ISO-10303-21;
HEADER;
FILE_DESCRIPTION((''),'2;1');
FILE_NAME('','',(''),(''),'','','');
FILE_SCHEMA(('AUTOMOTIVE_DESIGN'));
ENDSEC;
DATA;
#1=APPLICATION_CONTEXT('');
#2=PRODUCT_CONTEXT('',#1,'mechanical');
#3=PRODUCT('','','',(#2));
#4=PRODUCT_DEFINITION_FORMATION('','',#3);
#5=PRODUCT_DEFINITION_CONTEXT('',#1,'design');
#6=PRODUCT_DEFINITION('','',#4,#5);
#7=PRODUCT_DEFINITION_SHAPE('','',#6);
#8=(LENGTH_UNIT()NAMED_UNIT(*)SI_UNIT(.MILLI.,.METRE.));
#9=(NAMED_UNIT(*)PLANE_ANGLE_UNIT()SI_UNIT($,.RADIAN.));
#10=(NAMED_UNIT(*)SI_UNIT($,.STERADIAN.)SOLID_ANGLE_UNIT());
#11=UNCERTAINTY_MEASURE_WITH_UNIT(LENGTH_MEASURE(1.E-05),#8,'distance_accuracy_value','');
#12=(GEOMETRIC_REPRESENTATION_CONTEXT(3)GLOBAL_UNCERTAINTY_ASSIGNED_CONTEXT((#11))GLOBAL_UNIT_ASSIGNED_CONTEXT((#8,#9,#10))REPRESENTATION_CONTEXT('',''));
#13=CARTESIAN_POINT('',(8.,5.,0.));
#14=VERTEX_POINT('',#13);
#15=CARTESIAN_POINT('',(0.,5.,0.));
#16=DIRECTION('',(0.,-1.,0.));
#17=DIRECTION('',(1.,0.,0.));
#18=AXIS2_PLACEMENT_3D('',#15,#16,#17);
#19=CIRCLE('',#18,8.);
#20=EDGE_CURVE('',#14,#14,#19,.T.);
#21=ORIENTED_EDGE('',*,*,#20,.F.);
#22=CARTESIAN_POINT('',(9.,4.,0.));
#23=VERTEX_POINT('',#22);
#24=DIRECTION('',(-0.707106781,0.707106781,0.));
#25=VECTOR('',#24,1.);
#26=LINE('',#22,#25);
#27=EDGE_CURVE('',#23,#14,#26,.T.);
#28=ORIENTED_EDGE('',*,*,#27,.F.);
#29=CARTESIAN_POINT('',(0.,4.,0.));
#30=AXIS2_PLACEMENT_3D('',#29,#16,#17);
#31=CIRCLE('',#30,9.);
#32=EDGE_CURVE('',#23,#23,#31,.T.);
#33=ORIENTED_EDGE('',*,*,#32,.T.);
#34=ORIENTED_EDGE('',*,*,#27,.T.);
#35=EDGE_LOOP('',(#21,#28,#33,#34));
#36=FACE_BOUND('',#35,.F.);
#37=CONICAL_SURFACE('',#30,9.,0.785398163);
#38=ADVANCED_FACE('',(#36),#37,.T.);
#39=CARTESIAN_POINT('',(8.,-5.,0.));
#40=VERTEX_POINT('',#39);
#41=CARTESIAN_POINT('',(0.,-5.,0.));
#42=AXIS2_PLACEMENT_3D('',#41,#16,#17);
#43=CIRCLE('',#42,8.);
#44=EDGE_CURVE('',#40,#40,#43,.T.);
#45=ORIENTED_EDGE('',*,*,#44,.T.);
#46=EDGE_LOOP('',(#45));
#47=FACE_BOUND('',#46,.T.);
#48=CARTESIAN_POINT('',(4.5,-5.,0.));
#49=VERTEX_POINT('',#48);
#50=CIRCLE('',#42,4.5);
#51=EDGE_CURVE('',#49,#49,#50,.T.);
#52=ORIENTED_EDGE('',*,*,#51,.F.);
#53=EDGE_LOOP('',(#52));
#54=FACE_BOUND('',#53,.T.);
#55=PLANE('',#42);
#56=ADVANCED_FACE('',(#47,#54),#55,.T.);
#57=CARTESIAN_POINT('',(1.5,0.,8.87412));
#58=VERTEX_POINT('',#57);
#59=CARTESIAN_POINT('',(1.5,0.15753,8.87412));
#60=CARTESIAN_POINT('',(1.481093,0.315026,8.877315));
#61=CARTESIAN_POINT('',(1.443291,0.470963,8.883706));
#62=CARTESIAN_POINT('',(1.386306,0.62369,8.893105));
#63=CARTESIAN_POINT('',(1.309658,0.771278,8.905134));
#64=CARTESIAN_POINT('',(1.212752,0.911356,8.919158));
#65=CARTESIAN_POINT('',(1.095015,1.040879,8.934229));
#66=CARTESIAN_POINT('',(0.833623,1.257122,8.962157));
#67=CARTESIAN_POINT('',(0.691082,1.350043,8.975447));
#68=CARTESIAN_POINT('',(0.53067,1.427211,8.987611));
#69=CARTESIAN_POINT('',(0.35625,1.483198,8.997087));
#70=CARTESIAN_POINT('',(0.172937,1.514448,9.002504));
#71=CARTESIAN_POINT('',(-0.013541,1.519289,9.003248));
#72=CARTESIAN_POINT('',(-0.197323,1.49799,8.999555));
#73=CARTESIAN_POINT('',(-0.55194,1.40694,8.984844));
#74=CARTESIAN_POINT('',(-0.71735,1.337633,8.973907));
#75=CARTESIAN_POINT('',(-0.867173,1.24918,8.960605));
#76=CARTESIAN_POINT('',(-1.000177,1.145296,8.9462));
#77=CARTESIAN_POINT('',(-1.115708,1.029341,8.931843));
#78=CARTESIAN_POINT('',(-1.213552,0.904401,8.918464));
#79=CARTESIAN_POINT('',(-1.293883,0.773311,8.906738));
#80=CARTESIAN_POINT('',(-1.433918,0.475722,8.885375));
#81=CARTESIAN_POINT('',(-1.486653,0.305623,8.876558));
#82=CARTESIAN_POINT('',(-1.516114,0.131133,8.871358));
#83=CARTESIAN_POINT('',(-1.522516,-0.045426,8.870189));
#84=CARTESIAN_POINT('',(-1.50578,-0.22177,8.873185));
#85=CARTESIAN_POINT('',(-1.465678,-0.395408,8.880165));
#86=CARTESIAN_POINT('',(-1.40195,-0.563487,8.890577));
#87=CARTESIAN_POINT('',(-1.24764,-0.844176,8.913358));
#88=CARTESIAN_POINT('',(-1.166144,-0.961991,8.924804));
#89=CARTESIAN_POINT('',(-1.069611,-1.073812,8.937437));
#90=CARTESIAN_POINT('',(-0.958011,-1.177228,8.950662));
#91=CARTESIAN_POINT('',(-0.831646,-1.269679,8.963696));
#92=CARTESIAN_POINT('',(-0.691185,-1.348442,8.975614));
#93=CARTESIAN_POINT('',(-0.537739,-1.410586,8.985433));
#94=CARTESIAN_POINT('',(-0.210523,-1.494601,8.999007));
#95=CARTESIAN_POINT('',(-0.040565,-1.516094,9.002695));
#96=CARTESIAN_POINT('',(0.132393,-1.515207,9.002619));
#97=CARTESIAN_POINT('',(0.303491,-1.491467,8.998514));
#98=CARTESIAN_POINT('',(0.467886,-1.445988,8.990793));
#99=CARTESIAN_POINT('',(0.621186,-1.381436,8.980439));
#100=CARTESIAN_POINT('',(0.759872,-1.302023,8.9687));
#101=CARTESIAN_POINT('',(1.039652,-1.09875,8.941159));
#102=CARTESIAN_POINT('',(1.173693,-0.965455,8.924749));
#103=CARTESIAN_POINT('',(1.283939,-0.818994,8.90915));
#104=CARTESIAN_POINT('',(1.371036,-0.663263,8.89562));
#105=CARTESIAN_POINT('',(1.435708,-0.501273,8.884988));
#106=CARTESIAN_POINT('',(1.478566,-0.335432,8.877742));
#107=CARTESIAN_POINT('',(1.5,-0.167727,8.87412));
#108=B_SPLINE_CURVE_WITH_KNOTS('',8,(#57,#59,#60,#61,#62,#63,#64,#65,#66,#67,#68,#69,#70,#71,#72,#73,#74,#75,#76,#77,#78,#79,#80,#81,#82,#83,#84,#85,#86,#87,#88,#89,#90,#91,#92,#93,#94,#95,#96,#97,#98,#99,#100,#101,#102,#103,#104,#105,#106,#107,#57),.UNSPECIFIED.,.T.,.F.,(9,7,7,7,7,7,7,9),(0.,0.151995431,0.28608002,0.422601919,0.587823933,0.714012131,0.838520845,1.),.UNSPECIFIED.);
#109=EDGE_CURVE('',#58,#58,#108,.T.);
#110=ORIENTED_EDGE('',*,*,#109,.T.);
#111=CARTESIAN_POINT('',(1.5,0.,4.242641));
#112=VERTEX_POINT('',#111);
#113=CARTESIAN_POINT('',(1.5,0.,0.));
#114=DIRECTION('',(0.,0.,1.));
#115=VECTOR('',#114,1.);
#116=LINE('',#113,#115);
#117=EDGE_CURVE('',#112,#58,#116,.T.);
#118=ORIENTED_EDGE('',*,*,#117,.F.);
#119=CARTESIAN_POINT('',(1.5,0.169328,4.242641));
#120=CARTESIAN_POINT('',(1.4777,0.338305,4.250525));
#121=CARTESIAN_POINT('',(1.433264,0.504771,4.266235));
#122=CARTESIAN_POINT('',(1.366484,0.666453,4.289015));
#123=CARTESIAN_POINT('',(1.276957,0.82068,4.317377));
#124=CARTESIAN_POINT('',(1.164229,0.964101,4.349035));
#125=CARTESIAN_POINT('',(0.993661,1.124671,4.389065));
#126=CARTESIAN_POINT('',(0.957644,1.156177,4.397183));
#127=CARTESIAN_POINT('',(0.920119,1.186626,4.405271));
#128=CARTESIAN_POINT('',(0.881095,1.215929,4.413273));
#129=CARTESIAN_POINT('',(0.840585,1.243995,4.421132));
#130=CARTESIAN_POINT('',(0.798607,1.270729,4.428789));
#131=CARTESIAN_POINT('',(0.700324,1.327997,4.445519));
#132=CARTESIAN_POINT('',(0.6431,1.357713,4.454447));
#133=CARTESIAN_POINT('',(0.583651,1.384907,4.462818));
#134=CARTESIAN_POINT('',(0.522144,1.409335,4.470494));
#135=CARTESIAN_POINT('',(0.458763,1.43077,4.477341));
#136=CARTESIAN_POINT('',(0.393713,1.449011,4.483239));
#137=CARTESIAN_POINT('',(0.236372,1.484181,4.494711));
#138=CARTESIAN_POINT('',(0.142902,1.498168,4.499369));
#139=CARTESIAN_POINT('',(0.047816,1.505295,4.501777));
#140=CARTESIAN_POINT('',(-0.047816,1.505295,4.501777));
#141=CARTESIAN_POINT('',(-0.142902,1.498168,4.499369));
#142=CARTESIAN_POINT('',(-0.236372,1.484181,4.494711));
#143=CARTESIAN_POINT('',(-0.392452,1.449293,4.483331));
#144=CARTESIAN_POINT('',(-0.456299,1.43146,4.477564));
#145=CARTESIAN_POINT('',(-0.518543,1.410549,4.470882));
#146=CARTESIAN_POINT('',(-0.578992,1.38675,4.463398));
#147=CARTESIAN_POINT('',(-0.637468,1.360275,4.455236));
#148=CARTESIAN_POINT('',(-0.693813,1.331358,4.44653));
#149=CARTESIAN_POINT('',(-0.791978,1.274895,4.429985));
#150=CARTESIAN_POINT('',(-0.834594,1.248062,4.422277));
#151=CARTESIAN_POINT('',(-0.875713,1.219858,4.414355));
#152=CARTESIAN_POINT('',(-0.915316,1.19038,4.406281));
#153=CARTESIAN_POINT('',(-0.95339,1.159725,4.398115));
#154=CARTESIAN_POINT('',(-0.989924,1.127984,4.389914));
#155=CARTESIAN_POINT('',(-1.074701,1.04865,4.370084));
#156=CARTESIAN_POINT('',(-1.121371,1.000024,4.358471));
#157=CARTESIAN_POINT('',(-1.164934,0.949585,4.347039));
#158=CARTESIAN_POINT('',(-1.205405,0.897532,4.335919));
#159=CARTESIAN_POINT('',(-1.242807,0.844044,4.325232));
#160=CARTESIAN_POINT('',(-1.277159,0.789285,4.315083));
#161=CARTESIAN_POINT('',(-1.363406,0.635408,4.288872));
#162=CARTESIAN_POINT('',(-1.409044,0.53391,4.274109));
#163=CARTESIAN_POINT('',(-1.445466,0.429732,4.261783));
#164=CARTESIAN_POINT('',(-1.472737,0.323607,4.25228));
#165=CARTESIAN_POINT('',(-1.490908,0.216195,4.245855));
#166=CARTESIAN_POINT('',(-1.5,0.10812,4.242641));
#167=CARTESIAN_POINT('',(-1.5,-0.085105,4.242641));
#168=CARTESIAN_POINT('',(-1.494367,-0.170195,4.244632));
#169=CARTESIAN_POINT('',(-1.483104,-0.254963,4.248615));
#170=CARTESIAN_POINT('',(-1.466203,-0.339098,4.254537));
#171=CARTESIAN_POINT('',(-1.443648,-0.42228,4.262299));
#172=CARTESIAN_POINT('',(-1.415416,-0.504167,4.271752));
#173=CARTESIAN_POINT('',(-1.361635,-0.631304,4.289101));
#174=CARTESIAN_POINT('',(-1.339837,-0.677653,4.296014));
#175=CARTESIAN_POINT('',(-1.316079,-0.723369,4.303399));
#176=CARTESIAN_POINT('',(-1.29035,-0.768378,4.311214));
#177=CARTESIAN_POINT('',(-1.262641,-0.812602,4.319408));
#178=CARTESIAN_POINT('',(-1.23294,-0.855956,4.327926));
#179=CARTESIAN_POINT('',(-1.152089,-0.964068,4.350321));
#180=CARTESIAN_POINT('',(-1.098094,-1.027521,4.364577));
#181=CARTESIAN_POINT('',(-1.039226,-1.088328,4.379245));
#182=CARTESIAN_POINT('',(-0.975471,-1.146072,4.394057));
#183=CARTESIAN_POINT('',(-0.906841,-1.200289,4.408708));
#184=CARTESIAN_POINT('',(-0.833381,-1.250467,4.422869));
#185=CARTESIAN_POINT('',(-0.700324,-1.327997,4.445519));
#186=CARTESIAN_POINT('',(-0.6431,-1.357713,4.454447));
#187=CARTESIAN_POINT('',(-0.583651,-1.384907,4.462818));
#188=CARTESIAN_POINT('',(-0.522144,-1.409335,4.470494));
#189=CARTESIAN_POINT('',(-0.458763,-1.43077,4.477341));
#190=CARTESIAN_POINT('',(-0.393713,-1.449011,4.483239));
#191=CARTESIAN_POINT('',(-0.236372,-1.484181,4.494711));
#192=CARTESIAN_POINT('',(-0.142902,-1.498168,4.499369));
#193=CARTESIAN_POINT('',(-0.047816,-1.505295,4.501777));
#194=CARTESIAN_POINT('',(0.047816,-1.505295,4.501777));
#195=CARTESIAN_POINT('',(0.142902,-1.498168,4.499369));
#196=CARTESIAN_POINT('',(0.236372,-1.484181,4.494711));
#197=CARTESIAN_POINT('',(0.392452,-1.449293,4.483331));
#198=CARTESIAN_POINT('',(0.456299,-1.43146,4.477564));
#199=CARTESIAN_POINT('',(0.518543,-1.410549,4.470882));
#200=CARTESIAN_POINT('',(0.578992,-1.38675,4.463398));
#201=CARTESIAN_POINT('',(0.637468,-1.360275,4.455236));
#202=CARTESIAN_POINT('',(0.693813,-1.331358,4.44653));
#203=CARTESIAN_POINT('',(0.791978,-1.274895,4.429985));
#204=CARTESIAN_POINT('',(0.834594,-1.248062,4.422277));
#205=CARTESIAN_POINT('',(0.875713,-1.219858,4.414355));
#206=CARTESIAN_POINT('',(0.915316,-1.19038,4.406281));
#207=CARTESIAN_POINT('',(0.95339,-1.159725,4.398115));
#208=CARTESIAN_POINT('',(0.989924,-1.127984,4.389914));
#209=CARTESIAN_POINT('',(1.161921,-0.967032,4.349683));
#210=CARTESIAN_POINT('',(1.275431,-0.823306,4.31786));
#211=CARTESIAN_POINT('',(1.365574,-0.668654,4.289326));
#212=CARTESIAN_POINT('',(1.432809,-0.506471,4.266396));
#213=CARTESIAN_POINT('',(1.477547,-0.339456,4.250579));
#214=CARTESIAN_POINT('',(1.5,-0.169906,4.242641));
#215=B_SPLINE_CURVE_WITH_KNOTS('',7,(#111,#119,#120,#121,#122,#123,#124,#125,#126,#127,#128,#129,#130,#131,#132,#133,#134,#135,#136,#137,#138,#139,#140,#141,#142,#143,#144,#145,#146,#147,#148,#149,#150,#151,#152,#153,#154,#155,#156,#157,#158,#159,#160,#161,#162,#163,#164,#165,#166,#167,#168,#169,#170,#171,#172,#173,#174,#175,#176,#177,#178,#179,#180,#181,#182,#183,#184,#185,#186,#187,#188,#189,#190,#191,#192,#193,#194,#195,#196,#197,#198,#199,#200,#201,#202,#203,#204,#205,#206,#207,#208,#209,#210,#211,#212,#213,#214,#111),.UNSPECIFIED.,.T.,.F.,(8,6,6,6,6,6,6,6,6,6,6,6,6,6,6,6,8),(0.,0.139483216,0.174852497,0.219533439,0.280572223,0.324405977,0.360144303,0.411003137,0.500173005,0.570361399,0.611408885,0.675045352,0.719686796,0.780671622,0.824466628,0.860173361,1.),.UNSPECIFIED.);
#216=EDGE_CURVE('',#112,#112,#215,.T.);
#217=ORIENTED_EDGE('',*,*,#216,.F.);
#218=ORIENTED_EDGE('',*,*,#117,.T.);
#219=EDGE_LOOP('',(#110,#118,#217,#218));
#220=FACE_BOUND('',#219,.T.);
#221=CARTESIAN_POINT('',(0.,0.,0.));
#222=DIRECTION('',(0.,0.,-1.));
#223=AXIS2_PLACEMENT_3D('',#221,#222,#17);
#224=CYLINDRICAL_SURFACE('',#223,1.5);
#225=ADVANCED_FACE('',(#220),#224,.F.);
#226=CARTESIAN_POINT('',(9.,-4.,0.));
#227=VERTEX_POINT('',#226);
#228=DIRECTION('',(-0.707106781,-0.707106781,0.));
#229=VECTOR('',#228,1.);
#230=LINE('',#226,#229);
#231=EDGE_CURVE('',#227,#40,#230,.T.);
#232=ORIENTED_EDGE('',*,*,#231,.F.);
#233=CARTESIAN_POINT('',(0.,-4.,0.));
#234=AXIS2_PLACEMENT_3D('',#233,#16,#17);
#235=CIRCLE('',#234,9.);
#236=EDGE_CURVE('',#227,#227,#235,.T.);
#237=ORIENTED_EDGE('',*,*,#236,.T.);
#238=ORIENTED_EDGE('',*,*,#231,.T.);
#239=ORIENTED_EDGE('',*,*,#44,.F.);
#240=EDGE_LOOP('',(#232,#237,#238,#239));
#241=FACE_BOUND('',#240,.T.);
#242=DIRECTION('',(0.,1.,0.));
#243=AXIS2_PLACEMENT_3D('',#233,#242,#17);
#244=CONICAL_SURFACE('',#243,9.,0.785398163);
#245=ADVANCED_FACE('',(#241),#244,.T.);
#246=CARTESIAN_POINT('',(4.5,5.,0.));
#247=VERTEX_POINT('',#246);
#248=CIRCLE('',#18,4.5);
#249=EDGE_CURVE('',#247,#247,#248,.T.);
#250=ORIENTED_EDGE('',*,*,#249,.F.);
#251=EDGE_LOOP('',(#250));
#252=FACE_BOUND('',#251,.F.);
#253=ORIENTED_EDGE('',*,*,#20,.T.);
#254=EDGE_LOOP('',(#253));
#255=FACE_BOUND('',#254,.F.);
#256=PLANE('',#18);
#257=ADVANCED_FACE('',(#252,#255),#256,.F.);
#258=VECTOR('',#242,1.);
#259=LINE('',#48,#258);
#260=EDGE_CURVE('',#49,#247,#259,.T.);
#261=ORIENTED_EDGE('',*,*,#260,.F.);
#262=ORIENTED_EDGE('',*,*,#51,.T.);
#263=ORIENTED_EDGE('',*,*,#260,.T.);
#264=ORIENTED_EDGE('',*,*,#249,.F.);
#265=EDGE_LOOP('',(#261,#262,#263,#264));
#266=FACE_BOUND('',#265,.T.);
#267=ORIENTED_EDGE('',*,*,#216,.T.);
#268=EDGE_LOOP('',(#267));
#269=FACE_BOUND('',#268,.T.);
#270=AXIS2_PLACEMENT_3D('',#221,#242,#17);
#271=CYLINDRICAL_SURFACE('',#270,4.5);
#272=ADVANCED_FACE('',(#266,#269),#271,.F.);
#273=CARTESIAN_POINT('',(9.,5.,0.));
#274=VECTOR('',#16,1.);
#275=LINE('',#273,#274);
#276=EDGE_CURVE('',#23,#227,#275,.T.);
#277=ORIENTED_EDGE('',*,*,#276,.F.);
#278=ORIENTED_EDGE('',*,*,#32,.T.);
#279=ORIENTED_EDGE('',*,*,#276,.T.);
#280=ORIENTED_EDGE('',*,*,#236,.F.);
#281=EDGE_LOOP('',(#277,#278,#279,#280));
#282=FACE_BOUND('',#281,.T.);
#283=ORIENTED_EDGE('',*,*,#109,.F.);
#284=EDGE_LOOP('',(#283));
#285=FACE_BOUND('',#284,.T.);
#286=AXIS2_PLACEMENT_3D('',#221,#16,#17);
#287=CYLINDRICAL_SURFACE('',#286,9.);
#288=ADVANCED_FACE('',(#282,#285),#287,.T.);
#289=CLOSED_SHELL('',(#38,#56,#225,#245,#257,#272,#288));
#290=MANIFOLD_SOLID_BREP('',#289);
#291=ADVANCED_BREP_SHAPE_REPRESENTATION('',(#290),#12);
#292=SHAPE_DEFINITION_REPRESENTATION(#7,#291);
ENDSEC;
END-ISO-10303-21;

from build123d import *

# Parameters (mm, degrees)
F0_R     = 9
F0_R_2   = 4.5
F1_DEPTH = 5
F2_R     = 1.5
F3_DEPTH = 9.001
F4_SIZE  = 1


with BuildPart() as f1:
    # F0 (on Front) → F1 (new body, symmetric)
    with BuildSketch(Plane.XZ):
        Circle(F0_R)
        Circle(F0_R_2, mode=Mode.SUBTRACT)
    extrude(amount=F1_DEPTH, both=True)

    # F2 (on Top) → F3 (cut, through all)
    with BuildSketch(Plane.XY):
        Circle(F2_R)
    extrude(amount=F3_DEPTH, mode=Mode.SUBTRACT)

    # F4
    f4_edges = [f1.edges().sort_by_distance(p)[0] for p in [
        (-9, -5, 0),
        (-9, 5, 0),
    ]]
    chamfer(f4_edges, length=F4_SIZE)


solid = f1.part
